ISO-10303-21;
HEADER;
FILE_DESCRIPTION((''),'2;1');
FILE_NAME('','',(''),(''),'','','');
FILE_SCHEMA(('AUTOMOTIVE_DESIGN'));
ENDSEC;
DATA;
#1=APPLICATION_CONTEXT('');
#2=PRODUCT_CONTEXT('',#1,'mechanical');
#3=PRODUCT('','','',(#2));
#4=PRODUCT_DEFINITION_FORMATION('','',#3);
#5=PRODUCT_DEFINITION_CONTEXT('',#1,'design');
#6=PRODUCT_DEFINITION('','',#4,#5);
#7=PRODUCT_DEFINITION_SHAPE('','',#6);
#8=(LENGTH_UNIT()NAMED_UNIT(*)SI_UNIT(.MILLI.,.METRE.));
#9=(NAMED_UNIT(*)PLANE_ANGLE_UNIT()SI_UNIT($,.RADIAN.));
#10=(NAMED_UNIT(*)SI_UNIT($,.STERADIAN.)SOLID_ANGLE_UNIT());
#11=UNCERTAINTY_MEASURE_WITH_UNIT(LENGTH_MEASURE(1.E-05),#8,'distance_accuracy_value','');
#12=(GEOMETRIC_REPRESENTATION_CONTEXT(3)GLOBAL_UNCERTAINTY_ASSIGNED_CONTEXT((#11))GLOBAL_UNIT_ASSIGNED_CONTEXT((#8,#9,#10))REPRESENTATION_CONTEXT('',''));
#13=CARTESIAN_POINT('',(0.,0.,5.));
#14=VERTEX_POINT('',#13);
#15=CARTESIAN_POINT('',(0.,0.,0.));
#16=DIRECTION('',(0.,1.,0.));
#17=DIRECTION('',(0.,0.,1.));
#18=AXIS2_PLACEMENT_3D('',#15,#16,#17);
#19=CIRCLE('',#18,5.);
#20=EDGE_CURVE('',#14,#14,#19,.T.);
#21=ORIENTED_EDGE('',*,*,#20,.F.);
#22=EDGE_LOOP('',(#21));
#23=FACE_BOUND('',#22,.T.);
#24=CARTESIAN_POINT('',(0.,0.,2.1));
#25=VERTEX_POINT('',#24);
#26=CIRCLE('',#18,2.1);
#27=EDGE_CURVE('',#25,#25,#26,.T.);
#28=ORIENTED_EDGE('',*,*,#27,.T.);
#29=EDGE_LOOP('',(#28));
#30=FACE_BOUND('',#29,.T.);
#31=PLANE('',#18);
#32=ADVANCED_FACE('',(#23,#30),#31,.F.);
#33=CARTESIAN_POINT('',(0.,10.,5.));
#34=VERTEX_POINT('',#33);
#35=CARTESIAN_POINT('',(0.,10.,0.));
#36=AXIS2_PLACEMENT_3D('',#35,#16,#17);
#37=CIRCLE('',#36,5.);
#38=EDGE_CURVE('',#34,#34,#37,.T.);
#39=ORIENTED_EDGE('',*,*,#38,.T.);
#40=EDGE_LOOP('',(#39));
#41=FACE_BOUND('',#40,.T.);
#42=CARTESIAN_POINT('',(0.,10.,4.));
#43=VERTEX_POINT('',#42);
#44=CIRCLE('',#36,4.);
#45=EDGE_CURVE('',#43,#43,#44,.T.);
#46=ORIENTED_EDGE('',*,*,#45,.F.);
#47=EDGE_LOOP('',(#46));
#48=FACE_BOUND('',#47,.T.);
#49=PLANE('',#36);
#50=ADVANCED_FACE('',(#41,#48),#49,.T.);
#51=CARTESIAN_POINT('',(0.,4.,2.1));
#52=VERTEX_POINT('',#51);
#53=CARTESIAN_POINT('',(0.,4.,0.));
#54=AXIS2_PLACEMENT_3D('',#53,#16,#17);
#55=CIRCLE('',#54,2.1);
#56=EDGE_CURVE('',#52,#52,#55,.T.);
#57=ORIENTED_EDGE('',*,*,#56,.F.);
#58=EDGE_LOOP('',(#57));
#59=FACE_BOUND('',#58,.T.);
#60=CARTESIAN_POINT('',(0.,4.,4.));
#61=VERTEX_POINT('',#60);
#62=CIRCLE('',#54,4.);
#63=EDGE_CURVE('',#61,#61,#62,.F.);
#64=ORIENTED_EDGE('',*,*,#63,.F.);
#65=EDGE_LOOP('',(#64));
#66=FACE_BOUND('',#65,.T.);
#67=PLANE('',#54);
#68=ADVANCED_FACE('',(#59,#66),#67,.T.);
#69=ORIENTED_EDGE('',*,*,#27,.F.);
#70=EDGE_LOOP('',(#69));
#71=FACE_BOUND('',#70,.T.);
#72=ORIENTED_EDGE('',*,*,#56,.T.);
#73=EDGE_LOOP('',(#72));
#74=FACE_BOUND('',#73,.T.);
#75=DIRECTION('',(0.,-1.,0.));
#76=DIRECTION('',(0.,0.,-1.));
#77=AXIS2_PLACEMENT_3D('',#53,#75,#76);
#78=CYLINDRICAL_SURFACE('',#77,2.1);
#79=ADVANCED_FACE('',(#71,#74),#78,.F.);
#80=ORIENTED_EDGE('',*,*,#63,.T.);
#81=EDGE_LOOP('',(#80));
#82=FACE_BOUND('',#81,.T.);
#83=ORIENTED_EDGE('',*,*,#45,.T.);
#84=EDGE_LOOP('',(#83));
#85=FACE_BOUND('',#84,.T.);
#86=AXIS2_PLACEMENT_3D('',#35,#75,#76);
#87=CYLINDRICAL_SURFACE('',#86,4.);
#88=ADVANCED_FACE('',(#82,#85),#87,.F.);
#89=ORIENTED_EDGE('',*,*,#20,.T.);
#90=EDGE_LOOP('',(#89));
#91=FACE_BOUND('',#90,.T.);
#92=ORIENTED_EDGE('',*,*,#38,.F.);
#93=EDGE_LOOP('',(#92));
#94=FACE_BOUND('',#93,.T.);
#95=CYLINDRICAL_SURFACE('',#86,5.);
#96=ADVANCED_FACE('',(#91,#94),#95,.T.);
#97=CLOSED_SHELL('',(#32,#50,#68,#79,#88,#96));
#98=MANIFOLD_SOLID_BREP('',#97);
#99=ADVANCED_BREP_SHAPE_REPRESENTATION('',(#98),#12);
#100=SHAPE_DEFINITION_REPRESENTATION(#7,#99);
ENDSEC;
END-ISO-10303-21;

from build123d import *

# Parameters (mm, degrees)
SKETCH1_R           = 4
SKETCH1_R_2         = 2.1
BOSS_EXTRUDE1_DEPTH = 4
SKETCH2_R           = 5
SKETCH2_R_2         = 4
BOSS_EXTRUDE2_DEPTH = 10


with BuildPart() as part:
    # Sketch1 → Boss-Extrude1 (new body)
    with BuildSketch(Plane(origin=(0, 0, 0), x_dir=(1, 0, 0), z_dir=(0, 1, 0))):
        with Locations(Location((0, 0, 0), (0, 0, 270))):
            Circle(SKETCH1_R)
        with Locations(Location((0, 0, 0), (0, 0, 270))):
            Circle(SKETCH1_R_2, mode=Mode.SUBTRACT)
    extrude(amount=BOSS_EXTRUDE1_DEPTH)

    # Sketch2 → Boss-Extrude2 (add)
    with BuildSketch(Plane(origin=(0, 0, 0), x_dir=(1, 0, 0), z_dir=(0, 1, 0))):
        with Locations(Location((0, 0, 0), (0, 0, 270))):
            Circle(SKETCH2_R)
        with Locations(Location((0, 0, 0), (0, 0, 270))):
            Circle(SKETCH2_R_2, mode=Mode.SUBTRACT)
    extrude(amount=BOSS_EXTRUDE2_DEPTH)


solid = part.part
